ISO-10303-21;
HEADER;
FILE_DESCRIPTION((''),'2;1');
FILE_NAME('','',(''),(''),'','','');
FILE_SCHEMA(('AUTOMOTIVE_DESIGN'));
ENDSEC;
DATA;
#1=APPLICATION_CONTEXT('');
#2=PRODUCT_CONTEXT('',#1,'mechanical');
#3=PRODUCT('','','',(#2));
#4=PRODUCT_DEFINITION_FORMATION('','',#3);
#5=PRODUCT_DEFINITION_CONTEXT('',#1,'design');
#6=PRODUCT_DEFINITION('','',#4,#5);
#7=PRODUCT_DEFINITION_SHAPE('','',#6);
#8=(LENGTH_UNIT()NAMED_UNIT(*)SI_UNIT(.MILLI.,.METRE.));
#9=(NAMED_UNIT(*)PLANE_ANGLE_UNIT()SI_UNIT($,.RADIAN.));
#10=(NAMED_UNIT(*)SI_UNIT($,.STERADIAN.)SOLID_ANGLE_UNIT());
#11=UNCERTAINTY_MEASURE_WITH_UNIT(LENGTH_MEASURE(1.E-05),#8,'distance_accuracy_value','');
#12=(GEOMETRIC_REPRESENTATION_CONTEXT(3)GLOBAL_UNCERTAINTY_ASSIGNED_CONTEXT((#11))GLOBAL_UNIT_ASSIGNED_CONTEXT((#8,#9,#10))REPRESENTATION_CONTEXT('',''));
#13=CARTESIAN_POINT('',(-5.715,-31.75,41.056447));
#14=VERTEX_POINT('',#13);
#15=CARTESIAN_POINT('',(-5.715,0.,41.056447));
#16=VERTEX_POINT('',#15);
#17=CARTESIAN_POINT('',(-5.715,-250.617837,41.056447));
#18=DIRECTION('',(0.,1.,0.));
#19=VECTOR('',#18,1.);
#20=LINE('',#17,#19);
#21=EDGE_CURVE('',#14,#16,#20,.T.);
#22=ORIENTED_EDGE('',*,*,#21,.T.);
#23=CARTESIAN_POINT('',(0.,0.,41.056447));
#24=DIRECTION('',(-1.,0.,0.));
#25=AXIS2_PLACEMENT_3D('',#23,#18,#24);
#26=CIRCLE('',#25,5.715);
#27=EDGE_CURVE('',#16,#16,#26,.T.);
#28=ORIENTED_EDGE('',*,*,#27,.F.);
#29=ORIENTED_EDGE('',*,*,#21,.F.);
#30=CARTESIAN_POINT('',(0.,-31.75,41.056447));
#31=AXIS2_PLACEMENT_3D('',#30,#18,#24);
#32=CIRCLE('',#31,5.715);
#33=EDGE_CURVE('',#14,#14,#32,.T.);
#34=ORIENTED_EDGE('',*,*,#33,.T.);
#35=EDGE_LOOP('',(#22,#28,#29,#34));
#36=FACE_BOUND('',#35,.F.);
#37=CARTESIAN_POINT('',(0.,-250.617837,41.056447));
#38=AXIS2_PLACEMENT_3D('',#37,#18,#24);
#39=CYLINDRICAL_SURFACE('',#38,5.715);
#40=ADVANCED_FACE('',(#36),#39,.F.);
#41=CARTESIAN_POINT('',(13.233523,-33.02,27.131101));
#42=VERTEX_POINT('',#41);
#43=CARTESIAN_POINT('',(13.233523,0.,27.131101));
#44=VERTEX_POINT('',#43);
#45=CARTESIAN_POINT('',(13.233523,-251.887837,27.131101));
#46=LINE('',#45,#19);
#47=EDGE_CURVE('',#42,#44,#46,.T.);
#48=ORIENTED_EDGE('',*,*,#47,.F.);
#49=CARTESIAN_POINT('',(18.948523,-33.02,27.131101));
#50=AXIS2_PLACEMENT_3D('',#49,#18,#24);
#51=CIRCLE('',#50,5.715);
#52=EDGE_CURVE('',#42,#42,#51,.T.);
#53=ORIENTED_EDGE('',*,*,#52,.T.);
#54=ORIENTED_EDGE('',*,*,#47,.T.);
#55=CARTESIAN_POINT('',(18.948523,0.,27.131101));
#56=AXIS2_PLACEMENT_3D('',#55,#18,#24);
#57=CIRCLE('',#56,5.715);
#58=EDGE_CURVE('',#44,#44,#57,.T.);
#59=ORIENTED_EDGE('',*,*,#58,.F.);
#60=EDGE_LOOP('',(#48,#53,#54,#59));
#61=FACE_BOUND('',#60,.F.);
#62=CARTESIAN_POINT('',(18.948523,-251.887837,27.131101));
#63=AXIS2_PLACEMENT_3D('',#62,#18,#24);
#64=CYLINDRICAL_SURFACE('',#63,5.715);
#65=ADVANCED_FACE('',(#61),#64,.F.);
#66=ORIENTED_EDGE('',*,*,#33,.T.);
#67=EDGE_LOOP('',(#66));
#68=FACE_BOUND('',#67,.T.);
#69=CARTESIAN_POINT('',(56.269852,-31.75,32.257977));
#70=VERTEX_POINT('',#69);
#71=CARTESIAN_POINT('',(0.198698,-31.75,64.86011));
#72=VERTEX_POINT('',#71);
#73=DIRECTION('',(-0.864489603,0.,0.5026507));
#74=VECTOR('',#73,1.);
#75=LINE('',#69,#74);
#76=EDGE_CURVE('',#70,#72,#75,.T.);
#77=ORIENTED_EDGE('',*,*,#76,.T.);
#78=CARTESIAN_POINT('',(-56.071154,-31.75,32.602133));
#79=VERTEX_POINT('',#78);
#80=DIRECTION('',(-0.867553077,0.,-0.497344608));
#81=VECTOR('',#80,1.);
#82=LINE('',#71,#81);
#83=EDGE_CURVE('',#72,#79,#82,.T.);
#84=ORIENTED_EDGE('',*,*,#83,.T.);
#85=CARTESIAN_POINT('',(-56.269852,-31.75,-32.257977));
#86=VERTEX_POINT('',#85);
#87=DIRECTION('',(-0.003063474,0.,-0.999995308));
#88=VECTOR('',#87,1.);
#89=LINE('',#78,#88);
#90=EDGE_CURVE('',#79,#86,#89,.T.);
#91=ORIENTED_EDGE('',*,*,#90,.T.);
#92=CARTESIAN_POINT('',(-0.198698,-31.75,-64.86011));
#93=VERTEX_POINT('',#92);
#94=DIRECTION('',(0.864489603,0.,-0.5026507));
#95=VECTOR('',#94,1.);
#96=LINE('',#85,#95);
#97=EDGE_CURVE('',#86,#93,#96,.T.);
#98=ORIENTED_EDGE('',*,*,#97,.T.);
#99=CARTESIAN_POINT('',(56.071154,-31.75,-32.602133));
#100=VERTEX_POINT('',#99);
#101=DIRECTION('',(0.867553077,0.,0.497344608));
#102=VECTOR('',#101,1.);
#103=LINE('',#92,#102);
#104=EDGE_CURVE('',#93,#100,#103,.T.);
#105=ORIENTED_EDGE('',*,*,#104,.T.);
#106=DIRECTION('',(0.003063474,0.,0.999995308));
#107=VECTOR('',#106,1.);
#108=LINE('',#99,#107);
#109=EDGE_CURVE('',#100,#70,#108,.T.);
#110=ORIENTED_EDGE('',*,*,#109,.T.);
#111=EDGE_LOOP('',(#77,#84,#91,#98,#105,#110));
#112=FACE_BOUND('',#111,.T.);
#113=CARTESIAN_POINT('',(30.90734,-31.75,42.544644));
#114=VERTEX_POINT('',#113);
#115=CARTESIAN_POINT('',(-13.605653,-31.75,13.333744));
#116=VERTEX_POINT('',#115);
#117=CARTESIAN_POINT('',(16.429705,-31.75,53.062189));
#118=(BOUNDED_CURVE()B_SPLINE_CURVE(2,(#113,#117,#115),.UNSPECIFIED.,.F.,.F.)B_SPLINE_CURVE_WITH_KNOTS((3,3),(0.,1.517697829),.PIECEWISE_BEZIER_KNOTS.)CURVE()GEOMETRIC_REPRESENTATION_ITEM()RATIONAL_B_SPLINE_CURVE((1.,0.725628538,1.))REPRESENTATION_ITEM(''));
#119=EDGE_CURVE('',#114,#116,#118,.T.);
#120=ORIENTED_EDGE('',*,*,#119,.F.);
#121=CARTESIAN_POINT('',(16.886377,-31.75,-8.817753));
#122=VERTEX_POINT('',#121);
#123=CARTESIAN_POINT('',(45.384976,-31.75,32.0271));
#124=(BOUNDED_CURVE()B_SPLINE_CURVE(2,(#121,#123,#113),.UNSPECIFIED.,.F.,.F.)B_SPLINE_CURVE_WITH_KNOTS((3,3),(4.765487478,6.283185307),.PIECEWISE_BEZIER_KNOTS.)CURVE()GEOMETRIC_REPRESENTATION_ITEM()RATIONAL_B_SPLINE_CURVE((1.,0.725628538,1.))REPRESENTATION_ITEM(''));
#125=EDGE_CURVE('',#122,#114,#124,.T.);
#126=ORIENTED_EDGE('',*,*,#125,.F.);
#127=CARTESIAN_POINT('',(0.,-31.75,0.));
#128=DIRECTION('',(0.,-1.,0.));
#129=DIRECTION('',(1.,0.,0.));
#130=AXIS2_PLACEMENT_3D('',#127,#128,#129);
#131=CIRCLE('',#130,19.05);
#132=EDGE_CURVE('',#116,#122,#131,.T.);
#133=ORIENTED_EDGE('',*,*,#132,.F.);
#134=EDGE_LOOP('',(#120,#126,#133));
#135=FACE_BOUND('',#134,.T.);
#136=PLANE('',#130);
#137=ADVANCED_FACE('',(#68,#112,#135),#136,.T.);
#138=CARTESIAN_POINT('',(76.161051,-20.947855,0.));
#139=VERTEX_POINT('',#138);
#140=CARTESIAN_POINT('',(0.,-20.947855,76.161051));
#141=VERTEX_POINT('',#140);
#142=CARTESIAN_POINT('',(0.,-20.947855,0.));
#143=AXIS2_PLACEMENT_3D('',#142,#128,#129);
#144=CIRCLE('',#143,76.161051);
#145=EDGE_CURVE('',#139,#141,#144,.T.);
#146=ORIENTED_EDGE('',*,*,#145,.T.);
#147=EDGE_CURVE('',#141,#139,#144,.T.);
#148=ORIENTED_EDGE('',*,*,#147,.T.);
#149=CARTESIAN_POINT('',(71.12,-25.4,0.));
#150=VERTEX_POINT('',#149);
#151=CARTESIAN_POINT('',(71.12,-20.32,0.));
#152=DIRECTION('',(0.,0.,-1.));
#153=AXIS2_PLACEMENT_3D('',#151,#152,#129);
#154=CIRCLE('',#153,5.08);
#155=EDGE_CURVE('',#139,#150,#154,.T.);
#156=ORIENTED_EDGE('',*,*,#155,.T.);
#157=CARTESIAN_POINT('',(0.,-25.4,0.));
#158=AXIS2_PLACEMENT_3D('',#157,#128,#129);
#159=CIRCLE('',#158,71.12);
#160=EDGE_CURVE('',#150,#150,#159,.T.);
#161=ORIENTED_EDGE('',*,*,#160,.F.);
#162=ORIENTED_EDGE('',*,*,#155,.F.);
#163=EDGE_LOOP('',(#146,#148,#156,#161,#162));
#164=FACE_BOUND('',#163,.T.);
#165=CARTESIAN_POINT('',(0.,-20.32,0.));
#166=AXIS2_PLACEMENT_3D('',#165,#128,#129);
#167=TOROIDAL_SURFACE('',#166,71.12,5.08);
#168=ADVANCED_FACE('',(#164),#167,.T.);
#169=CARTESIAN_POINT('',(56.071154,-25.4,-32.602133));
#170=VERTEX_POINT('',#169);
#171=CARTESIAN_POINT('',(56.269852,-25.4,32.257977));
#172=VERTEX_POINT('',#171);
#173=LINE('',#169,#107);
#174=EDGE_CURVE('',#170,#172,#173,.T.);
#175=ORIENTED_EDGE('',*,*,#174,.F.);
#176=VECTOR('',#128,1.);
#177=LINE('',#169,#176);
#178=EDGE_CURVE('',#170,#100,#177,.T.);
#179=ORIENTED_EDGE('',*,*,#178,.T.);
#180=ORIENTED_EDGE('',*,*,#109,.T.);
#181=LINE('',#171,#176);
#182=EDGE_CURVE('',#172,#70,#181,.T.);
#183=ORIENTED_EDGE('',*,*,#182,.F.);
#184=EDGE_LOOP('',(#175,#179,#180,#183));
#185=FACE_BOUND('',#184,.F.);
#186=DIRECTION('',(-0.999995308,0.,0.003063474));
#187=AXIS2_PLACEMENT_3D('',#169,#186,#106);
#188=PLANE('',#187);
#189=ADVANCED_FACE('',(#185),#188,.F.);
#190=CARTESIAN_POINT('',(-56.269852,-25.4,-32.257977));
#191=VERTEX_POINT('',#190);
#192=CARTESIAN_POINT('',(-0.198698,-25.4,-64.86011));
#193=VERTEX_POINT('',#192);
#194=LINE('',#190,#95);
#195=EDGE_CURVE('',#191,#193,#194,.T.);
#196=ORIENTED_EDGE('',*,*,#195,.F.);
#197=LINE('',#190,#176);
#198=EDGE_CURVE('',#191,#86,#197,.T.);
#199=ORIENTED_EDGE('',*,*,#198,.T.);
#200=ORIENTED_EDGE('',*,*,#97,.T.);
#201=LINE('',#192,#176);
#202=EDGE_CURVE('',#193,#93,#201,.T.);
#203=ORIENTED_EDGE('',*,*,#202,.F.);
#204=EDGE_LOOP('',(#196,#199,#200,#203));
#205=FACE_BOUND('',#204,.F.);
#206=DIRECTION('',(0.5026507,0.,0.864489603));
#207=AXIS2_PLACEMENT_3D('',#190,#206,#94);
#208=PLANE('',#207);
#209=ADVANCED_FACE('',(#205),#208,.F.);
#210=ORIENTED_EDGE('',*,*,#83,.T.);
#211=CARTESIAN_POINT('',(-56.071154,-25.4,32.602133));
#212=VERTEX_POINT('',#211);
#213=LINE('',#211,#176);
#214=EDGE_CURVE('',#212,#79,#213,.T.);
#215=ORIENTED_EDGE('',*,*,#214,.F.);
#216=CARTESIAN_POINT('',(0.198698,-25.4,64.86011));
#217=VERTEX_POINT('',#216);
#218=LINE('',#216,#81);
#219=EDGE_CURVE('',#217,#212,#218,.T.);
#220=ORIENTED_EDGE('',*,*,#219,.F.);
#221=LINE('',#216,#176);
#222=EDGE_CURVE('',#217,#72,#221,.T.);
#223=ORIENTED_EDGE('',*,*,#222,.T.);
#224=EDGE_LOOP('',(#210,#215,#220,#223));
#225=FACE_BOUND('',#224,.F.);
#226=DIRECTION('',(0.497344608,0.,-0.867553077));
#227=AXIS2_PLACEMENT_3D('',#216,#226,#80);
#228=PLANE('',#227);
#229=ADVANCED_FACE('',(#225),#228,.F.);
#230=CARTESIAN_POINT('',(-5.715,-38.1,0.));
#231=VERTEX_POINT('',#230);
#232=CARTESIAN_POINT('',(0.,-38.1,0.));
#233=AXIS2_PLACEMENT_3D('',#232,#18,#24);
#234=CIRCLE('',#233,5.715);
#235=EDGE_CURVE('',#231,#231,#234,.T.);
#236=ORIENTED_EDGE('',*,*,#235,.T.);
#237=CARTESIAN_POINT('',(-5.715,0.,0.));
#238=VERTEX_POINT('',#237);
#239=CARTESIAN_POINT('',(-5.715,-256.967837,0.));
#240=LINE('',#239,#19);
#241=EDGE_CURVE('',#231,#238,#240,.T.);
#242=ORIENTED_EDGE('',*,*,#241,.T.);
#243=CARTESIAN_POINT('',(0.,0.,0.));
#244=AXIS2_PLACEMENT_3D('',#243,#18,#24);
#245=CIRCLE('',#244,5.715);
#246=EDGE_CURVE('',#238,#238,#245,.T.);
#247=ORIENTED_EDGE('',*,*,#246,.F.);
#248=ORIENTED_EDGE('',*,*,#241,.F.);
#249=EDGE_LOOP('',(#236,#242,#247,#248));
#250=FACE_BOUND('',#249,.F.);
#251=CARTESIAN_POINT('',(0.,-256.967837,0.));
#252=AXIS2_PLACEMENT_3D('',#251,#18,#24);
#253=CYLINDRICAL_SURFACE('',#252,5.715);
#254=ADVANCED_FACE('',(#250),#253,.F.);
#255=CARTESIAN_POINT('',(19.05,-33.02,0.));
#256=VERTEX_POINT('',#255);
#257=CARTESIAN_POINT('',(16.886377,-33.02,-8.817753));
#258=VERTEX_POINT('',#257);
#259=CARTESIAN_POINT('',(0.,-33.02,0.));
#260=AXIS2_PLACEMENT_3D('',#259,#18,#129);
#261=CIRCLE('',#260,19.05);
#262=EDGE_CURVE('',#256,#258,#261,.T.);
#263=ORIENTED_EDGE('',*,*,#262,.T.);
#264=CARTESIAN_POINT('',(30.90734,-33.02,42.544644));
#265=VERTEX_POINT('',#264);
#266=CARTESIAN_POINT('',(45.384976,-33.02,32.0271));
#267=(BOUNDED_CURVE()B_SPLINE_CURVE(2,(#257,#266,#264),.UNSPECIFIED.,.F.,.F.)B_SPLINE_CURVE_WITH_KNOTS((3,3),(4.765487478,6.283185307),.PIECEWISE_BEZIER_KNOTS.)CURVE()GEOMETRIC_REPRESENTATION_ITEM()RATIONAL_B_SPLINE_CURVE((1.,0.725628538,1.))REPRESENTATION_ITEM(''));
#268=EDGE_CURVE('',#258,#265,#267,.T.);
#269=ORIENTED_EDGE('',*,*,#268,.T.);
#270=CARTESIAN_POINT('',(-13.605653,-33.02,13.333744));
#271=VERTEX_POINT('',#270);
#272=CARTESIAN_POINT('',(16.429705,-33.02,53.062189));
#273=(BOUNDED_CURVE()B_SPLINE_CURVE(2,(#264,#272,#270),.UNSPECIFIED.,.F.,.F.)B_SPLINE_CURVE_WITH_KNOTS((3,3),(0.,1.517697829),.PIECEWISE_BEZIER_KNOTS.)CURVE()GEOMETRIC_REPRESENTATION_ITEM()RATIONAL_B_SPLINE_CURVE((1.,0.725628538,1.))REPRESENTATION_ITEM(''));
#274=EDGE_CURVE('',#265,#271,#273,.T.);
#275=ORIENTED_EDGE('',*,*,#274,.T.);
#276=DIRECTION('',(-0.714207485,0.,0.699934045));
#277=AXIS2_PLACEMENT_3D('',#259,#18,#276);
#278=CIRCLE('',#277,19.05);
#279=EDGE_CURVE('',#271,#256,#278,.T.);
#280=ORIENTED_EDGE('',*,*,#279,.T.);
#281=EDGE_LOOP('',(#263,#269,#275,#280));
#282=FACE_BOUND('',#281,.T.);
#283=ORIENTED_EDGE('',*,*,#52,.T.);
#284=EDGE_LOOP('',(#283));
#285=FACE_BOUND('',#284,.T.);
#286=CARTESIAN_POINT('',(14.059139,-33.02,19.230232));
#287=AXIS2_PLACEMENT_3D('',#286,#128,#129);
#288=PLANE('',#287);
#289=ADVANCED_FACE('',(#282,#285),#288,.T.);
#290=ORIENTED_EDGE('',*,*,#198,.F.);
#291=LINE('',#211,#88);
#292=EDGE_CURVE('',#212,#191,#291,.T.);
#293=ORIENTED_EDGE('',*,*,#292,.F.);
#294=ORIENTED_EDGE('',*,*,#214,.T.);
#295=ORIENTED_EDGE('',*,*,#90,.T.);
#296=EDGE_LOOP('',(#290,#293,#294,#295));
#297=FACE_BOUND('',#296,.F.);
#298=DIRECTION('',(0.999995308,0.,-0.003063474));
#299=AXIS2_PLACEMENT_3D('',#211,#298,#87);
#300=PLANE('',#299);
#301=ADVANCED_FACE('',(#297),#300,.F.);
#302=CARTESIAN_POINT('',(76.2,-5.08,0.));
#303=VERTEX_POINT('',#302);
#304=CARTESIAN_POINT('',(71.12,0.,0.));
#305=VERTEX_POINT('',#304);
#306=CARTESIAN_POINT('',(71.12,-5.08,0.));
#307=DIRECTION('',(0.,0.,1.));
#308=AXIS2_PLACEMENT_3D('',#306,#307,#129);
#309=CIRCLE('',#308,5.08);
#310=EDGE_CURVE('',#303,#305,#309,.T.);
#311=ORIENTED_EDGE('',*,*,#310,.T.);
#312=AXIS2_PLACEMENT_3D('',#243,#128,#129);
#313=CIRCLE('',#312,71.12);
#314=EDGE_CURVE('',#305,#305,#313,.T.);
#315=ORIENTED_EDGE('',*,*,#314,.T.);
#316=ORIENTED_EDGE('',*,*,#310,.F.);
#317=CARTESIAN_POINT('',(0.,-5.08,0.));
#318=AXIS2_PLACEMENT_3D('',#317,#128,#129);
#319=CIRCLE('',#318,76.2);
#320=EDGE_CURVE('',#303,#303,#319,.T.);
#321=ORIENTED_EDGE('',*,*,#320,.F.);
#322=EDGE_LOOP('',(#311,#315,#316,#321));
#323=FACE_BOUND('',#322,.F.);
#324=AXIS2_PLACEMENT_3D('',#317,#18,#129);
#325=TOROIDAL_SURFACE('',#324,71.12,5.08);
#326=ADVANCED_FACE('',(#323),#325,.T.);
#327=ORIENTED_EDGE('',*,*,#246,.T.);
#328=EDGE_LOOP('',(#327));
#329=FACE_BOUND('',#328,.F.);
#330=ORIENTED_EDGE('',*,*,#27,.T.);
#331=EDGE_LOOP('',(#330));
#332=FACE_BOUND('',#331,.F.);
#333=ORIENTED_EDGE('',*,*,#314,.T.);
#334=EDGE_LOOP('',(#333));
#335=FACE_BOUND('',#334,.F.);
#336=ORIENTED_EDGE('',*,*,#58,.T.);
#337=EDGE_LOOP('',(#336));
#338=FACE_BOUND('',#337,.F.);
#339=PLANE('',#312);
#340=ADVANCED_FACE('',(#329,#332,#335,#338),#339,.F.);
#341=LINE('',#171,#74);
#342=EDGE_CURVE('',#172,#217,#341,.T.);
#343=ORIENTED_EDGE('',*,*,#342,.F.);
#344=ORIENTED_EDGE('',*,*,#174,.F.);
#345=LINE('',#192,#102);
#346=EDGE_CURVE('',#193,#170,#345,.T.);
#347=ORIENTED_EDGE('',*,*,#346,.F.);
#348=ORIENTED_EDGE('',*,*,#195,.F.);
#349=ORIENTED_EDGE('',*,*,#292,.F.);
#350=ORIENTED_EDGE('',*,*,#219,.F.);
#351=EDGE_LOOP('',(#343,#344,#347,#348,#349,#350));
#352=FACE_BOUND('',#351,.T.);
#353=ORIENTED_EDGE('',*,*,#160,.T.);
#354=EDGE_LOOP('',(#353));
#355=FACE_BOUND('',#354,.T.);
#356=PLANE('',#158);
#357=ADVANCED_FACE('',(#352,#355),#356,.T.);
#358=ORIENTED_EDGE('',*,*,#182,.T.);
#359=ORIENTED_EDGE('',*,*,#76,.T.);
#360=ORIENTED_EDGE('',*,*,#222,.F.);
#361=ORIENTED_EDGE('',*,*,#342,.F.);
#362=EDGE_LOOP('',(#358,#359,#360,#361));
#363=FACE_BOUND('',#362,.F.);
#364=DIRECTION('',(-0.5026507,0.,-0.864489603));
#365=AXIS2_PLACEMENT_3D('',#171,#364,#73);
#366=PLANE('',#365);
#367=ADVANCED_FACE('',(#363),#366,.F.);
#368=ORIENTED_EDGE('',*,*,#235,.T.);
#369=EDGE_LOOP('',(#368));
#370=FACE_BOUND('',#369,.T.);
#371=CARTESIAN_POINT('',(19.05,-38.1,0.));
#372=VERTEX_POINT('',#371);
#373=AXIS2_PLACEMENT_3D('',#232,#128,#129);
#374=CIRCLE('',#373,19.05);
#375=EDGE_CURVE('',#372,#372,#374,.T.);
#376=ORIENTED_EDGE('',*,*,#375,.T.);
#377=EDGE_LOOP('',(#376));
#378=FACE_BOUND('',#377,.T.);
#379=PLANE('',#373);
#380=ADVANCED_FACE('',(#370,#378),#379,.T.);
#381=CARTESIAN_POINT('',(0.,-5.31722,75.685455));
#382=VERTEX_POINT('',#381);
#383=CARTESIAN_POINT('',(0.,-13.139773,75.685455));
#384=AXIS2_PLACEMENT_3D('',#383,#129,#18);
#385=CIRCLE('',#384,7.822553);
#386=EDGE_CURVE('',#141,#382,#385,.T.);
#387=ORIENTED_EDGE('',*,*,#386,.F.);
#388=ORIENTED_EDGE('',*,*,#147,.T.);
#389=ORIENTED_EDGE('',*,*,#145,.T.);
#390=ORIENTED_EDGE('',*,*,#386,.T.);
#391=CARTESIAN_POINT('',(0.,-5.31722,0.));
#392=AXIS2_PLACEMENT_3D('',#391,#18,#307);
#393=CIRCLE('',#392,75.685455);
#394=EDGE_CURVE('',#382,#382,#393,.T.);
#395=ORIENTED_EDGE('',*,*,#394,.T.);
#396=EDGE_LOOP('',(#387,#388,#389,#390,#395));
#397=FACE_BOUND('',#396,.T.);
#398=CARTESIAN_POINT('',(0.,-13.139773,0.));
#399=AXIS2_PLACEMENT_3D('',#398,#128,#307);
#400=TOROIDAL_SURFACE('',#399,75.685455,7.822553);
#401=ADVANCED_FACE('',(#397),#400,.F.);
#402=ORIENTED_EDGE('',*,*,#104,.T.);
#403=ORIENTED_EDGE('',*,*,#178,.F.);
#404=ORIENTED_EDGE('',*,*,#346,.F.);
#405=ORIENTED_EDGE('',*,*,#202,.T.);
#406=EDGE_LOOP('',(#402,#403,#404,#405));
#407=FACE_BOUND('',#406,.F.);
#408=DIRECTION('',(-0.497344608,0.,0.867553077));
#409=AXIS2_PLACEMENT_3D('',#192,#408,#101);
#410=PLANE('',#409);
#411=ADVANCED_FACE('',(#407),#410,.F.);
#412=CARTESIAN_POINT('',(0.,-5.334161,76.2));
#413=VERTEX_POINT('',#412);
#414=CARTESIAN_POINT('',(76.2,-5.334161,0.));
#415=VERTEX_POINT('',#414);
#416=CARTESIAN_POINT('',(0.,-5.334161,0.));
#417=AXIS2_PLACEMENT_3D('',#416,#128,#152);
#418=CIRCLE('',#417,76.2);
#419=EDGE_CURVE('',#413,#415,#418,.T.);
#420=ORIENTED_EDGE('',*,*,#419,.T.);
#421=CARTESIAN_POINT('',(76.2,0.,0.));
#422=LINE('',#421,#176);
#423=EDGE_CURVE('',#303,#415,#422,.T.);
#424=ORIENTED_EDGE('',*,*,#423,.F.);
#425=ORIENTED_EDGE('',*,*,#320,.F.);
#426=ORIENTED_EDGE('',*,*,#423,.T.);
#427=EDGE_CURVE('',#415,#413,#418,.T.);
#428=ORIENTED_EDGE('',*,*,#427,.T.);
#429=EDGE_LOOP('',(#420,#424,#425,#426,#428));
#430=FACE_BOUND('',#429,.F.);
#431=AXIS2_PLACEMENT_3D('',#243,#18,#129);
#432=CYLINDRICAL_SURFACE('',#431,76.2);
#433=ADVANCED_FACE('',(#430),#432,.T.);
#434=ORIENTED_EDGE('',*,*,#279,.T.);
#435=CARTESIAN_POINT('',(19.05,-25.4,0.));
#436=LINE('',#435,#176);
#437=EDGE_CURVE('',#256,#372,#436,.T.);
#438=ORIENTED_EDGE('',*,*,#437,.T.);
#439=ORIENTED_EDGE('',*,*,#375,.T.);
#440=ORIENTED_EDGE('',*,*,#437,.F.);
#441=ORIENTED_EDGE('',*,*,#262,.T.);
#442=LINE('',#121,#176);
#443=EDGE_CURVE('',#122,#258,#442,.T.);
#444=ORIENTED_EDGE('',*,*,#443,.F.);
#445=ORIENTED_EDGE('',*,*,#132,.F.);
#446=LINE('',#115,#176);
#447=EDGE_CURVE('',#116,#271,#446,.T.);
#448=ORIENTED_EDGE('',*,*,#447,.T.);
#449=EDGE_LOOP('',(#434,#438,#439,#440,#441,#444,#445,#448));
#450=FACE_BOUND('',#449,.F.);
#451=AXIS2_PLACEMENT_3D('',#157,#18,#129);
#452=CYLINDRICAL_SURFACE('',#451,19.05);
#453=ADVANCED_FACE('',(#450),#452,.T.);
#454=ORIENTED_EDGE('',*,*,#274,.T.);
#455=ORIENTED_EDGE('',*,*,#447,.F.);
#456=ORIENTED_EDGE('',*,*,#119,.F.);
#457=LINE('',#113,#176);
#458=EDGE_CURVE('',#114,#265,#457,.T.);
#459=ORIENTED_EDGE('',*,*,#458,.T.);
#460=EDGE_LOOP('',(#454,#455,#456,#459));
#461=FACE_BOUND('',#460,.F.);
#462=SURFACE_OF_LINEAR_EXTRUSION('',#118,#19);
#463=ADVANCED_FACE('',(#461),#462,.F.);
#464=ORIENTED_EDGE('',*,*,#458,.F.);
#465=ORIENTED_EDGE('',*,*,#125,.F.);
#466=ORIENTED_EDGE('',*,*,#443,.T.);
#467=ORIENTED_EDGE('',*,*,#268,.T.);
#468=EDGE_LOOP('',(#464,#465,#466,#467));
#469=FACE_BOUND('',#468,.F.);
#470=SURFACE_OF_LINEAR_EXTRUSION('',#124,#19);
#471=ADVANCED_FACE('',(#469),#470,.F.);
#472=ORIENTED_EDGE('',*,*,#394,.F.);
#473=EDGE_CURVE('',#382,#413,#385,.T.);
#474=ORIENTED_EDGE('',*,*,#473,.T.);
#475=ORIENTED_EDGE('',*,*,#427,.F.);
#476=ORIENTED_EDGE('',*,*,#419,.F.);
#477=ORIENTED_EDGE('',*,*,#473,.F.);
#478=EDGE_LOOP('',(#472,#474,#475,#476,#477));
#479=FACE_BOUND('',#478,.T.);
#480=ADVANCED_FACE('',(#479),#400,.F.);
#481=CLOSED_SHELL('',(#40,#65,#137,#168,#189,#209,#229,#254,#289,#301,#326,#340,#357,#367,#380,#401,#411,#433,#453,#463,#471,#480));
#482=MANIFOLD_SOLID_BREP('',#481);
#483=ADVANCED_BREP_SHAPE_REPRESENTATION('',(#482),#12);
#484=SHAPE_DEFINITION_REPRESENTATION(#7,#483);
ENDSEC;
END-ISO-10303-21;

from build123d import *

# Parameters (mm, degrees)
F0_R      = 76.2
F1_DEPTH  = 25.4
F2_R      = 19.05
F3_DEPTH  = 12.7
F5_D      = 11.43
F6_R      = 5.08
F7_R      = 19.05
F8_DEPTH  = 6.35
F10_R     = 7.8225527737
F12_DEPTH = 1.27
F14_D     = 11.43
F16_D     = 11.43


with BuildPart() as f1:
    # F0 (on Front) → F1 (new body)
    with BuildSketch(Plane.XZ):
        Circle(F0_R)
    extrude(amount=F1_DEPTH)

    # F2 (on face) → F3 (join)
    with BuildSketch(Plane.XZ.offset(25.4)):
        Circle(F2_R)
    extrude(amount=F3_DEPTH)

    # F5 (through all)
    with Locations(Plane.XZ.offset(38.1)):
        with Locations((0, 0)):
            Hole(F5_D / 2)

    # F6
    f6_edges = [f1.edges().sort_by_distance(p)[0] for p in [
        (76.2, -12.7, 0),
        (-76.2, 0, 0),
        (-76.2, -25.4, 0),
    ]]
    fillet(f6_edges, radius=F6_R)

    # F7 (on face) → F8 (join)
    with BuildSketch(Plane.XZ.offset(25.4)):
        Polygon((56.2698519268, 32.2579772514), (0.198698189, 64.8601098615), (-56.0711537378, 32.6021326101), (-56.2698519268, -32.2579772514), (-0.198698189, -64.8601098615), (56.0711537378, -32.6021326101), align=None)
        Circle(F7_R, mode=Mode.SUBTRACT)
    extrude(amount=F8_DEPTH)

    # F10 (on Right) → F11 (revolve, cut)
    with BuildSketch(Plane.YZ):
        with Locations((-13.1397730592, 75.685454893)):
            Circle(F10_R)
    revolve(axis=Axis((0, 0, 0), (0, 1, 0)), mode=Mode.SUBTRACT)

    # F9 (on face) → F12 (join)
    with BuildSketch(Plane.XZ.offset(31.75)):
        with BuildLine():
            add(Edge.make_bspline(
                [(16.8863771347, -8.8177529601), (45.3849757119, 32.027099504), (30.9073403478, 42.544644326)],
                knots=[4.7654874781, 4.7654874781, 4.7654874781, 6.2831853072, 6.2831853072, 6.2831853072], degree=2, weights=[1, 0.7256285378, 1]))
            add(Edge.make_bspline(
                [(30.9073403478, 42.544644326), (16.4297049836, 53.0621891479), (-13.6056525978, 13.3337435624)],
                knots=[0, 0, 0, 1.517697829, 1.517697829, 1.517697829], degree=2, weights=[1, 0.7256285378, 1]))
            ThreePointArc((-13.6056525978, 13.3337435624), (7.2012088572, 17.6364704801), (19.05, 0))
            ThreePointArc((19.05, 0), (18.5011889404, -4.5396594357), (16.8863771347, -8.8177529601))
        make_face()
    extrude(amount=F12_DEPTH)

    # F14 (through all)
    with Locations(Plane.XZ.offset(33.02)):
        with Locations((18.9485233277, 27.1311011165)):
            Hole(F14_D / 2)

    # F16 (through all)
    with Locations(Plane.XZ.offset(31.75)):
        with Locations((0, 41.0564467311)):
            Hole(F16_D / 2)


solid = f1.part
